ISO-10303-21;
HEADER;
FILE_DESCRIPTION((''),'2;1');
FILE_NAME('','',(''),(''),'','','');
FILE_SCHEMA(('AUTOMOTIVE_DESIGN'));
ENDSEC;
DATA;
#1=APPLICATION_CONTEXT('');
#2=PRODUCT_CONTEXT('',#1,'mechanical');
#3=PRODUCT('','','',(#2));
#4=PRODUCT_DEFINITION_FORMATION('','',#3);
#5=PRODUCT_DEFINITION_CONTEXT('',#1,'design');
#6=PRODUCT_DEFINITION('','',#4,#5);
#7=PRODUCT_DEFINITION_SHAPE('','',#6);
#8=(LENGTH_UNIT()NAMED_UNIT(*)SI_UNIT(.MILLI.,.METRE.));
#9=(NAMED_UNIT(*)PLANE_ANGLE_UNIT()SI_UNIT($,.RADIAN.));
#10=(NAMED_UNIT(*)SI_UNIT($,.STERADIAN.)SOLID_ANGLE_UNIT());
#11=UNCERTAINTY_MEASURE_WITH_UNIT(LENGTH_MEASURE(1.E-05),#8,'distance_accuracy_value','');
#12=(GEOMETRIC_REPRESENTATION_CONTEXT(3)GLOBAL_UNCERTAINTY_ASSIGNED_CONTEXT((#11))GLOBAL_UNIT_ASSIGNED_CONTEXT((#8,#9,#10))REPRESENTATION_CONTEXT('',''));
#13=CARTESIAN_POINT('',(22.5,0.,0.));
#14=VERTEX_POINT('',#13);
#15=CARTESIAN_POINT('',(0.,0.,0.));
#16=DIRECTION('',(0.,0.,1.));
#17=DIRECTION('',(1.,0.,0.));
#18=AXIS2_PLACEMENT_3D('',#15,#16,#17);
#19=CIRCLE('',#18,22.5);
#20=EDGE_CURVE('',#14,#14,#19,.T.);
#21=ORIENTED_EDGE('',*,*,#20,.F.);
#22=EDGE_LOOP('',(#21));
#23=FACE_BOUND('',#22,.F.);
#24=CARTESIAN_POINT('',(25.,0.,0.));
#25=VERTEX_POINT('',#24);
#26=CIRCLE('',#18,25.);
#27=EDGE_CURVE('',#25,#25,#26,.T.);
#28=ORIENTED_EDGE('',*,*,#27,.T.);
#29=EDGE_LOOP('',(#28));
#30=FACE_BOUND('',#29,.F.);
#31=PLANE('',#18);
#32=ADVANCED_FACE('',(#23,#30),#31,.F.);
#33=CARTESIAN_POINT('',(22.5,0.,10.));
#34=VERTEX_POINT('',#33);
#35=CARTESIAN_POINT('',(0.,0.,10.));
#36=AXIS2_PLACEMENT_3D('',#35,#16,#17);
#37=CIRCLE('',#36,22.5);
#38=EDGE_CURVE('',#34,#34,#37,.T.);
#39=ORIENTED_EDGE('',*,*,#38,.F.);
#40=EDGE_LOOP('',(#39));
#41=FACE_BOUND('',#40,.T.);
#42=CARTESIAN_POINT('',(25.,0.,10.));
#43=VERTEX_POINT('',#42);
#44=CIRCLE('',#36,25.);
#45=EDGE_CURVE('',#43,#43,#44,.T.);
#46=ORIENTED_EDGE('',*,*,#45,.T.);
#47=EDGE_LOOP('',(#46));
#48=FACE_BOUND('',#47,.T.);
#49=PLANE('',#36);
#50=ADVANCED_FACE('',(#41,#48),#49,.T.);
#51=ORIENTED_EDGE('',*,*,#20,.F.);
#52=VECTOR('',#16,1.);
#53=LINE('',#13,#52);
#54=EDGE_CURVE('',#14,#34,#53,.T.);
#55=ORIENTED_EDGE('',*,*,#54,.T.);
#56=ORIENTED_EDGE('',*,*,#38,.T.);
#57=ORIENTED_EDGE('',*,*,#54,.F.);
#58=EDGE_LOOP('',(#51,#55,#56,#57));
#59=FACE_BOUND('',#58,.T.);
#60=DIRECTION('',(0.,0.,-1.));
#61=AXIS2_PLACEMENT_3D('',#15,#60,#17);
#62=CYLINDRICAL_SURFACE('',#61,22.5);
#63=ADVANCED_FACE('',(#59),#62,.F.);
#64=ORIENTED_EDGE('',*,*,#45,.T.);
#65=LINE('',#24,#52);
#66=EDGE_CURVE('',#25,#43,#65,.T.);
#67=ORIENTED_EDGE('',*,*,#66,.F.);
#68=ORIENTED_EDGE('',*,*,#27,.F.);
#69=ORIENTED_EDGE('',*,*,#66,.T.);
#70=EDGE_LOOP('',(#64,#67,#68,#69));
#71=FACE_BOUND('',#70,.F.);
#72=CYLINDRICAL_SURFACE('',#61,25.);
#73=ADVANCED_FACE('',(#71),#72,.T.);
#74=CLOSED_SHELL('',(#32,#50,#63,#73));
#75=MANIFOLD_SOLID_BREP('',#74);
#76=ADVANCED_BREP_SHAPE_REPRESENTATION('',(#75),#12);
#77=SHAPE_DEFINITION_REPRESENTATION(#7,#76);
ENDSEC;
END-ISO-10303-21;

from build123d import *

# Parameters (mm, degrees)
F0_R     = 25
F0_R_2   = 22.5
F1_DEPTH = 10


with BuildPart() as f1:
    # F0 (on Top) → F1 (new body)
    with BuildSketch(Plane.XY):
        Circle(F0_R)
        Circle(F0_R_2, mode=Mode.SUBTRACT)
    extrude(amount=F1_DEPTH)


solid = f1.part
